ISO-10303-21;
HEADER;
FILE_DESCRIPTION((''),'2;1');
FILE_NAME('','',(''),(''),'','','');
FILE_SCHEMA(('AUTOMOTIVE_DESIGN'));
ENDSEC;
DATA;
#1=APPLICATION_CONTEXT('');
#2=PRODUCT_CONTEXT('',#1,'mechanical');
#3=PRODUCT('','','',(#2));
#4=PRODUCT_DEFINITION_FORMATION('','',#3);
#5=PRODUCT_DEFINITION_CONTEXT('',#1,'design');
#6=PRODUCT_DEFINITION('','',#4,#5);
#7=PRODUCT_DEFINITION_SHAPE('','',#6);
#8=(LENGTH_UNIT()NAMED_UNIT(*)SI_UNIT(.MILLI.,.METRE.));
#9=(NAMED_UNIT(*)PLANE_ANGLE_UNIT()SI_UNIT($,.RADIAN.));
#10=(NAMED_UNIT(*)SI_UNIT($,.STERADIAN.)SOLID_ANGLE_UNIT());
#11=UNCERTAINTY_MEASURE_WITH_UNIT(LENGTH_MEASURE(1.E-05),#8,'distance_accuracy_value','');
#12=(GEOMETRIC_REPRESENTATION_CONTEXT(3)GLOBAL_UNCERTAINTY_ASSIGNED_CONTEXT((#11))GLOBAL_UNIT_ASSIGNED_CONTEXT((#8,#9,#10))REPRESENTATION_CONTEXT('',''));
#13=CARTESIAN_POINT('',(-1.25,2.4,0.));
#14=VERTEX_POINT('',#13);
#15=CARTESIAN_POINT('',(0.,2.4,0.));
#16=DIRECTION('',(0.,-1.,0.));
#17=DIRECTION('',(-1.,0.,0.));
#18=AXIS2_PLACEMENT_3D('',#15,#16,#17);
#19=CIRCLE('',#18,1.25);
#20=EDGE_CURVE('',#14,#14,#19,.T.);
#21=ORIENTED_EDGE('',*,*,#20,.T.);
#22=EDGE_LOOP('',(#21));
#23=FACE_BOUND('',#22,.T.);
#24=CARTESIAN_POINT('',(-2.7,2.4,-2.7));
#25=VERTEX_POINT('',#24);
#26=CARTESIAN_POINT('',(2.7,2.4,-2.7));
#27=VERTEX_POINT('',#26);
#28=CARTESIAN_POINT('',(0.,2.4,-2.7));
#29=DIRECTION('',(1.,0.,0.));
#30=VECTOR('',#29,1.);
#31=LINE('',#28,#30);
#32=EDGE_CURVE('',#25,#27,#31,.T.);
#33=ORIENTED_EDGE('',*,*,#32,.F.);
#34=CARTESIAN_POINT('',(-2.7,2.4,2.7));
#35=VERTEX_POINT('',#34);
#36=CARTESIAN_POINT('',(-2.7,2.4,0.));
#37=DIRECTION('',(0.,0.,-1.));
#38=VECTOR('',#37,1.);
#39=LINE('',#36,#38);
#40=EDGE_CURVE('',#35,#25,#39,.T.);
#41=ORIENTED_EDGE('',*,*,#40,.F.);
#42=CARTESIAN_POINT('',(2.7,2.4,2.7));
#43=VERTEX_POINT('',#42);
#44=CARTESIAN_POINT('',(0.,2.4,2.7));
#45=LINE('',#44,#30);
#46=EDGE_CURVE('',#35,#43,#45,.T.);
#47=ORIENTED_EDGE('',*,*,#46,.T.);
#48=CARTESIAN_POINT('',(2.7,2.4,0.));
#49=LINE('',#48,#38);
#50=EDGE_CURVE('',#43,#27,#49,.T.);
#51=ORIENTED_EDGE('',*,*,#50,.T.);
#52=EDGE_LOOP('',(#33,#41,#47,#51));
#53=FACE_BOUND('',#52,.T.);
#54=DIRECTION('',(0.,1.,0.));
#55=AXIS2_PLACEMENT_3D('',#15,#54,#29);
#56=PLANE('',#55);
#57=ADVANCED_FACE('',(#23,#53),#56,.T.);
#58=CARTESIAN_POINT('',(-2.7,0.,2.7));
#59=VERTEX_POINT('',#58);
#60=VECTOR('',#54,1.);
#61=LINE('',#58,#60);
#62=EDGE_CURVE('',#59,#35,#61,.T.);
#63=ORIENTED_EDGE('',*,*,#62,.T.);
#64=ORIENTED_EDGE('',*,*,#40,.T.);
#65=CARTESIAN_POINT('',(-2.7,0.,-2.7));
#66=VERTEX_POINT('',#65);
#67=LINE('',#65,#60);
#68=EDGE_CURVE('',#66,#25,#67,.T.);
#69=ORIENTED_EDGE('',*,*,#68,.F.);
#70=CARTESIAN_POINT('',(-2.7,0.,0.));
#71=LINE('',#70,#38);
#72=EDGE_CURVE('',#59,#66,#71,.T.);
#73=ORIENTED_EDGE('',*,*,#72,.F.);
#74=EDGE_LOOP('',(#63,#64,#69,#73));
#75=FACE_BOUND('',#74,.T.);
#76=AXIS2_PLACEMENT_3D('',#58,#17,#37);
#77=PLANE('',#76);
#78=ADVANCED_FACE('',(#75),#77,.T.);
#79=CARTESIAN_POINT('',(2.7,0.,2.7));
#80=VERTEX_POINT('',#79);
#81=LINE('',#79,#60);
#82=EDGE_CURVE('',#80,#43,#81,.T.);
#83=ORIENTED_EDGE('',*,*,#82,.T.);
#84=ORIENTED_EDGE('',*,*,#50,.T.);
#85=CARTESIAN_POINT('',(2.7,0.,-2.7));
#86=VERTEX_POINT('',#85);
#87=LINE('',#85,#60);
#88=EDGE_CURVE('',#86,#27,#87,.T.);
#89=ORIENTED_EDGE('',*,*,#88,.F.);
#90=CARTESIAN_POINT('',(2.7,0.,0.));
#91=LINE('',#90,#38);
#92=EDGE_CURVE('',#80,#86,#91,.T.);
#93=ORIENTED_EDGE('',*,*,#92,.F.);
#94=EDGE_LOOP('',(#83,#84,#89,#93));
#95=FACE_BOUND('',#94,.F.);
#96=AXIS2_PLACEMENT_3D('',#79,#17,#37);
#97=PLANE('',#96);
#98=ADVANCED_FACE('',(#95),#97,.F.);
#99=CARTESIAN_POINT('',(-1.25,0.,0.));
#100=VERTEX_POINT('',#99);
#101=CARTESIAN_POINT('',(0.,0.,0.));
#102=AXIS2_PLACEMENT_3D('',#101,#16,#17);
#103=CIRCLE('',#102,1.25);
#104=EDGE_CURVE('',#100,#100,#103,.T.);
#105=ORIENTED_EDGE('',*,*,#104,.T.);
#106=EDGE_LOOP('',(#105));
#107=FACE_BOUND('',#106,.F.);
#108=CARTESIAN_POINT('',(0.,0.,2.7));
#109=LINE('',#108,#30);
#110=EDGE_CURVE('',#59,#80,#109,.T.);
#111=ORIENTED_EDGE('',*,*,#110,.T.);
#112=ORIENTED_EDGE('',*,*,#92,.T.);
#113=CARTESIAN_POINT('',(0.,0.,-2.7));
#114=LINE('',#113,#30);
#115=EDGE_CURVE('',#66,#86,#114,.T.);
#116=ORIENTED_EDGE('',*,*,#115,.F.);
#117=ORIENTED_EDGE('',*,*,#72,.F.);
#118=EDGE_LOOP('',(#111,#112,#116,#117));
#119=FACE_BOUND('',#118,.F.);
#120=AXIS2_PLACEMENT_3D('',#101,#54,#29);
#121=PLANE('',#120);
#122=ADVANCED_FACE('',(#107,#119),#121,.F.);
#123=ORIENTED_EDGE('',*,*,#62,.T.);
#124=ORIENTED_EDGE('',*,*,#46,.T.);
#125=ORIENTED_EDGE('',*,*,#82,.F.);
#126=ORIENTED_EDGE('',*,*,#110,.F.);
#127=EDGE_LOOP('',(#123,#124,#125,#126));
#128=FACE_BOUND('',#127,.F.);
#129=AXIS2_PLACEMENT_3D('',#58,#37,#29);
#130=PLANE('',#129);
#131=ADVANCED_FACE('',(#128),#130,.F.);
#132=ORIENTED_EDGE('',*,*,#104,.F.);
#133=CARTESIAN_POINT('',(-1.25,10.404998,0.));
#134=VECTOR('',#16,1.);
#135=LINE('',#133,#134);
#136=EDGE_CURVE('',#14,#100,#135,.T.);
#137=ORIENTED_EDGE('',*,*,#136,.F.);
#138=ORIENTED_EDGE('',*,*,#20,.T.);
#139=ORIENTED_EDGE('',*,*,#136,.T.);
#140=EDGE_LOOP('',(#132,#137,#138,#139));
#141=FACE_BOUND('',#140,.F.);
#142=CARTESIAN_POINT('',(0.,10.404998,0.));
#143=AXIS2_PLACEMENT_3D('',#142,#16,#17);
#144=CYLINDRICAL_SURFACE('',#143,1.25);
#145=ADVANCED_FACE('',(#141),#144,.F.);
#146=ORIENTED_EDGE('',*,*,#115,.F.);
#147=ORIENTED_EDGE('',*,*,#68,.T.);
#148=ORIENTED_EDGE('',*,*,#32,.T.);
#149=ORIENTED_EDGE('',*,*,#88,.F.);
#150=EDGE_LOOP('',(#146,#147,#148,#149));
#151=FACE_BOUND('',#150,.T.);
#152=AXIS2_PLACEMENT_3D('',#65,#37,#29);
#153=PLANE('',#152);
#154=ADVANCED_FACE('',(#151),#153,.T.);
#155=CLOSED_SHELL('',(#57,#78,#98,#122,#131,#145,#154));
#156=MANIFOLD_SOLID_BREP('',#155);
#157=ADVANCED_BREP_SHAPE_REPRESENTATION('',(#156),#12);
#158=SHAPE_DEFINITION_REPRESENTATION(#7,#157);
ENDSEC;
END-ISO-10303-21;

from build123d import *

# Parameters (mm, degrees)
SKETCH1_W             = 5.4
SKETCH1_H             = 5.4
BOSS_EXTRUDE1_DEPTH   = 2.4
M3X0_5_TAPPED_HOLE1_D = 2.5


with BuildPart() as part:
    # Sketch1 → Boss-Extrude1 (new body)
    with BuildSketch(Plane(origin=(0, 0, 0), x_dir=(1, 0, 0), z_dir=(0, 1, 0))):
        Rectangle(SKETCH1_W, SKETCH1_H)
    extrude(amount=BOSS_EXTRUDE1_DEPTH)

    # M3x0.5 Tapped Hole1 (through all)
    with Locations(Plane(origin=(0, 2.4, 0), x_dir=(1, 0, 0), z_dir=(0, 1, 0))):
        with Locations((0, 0)):
            Hole(M3X0_5_TAPPED_HOLE1_D / 2)


solid = part.part
